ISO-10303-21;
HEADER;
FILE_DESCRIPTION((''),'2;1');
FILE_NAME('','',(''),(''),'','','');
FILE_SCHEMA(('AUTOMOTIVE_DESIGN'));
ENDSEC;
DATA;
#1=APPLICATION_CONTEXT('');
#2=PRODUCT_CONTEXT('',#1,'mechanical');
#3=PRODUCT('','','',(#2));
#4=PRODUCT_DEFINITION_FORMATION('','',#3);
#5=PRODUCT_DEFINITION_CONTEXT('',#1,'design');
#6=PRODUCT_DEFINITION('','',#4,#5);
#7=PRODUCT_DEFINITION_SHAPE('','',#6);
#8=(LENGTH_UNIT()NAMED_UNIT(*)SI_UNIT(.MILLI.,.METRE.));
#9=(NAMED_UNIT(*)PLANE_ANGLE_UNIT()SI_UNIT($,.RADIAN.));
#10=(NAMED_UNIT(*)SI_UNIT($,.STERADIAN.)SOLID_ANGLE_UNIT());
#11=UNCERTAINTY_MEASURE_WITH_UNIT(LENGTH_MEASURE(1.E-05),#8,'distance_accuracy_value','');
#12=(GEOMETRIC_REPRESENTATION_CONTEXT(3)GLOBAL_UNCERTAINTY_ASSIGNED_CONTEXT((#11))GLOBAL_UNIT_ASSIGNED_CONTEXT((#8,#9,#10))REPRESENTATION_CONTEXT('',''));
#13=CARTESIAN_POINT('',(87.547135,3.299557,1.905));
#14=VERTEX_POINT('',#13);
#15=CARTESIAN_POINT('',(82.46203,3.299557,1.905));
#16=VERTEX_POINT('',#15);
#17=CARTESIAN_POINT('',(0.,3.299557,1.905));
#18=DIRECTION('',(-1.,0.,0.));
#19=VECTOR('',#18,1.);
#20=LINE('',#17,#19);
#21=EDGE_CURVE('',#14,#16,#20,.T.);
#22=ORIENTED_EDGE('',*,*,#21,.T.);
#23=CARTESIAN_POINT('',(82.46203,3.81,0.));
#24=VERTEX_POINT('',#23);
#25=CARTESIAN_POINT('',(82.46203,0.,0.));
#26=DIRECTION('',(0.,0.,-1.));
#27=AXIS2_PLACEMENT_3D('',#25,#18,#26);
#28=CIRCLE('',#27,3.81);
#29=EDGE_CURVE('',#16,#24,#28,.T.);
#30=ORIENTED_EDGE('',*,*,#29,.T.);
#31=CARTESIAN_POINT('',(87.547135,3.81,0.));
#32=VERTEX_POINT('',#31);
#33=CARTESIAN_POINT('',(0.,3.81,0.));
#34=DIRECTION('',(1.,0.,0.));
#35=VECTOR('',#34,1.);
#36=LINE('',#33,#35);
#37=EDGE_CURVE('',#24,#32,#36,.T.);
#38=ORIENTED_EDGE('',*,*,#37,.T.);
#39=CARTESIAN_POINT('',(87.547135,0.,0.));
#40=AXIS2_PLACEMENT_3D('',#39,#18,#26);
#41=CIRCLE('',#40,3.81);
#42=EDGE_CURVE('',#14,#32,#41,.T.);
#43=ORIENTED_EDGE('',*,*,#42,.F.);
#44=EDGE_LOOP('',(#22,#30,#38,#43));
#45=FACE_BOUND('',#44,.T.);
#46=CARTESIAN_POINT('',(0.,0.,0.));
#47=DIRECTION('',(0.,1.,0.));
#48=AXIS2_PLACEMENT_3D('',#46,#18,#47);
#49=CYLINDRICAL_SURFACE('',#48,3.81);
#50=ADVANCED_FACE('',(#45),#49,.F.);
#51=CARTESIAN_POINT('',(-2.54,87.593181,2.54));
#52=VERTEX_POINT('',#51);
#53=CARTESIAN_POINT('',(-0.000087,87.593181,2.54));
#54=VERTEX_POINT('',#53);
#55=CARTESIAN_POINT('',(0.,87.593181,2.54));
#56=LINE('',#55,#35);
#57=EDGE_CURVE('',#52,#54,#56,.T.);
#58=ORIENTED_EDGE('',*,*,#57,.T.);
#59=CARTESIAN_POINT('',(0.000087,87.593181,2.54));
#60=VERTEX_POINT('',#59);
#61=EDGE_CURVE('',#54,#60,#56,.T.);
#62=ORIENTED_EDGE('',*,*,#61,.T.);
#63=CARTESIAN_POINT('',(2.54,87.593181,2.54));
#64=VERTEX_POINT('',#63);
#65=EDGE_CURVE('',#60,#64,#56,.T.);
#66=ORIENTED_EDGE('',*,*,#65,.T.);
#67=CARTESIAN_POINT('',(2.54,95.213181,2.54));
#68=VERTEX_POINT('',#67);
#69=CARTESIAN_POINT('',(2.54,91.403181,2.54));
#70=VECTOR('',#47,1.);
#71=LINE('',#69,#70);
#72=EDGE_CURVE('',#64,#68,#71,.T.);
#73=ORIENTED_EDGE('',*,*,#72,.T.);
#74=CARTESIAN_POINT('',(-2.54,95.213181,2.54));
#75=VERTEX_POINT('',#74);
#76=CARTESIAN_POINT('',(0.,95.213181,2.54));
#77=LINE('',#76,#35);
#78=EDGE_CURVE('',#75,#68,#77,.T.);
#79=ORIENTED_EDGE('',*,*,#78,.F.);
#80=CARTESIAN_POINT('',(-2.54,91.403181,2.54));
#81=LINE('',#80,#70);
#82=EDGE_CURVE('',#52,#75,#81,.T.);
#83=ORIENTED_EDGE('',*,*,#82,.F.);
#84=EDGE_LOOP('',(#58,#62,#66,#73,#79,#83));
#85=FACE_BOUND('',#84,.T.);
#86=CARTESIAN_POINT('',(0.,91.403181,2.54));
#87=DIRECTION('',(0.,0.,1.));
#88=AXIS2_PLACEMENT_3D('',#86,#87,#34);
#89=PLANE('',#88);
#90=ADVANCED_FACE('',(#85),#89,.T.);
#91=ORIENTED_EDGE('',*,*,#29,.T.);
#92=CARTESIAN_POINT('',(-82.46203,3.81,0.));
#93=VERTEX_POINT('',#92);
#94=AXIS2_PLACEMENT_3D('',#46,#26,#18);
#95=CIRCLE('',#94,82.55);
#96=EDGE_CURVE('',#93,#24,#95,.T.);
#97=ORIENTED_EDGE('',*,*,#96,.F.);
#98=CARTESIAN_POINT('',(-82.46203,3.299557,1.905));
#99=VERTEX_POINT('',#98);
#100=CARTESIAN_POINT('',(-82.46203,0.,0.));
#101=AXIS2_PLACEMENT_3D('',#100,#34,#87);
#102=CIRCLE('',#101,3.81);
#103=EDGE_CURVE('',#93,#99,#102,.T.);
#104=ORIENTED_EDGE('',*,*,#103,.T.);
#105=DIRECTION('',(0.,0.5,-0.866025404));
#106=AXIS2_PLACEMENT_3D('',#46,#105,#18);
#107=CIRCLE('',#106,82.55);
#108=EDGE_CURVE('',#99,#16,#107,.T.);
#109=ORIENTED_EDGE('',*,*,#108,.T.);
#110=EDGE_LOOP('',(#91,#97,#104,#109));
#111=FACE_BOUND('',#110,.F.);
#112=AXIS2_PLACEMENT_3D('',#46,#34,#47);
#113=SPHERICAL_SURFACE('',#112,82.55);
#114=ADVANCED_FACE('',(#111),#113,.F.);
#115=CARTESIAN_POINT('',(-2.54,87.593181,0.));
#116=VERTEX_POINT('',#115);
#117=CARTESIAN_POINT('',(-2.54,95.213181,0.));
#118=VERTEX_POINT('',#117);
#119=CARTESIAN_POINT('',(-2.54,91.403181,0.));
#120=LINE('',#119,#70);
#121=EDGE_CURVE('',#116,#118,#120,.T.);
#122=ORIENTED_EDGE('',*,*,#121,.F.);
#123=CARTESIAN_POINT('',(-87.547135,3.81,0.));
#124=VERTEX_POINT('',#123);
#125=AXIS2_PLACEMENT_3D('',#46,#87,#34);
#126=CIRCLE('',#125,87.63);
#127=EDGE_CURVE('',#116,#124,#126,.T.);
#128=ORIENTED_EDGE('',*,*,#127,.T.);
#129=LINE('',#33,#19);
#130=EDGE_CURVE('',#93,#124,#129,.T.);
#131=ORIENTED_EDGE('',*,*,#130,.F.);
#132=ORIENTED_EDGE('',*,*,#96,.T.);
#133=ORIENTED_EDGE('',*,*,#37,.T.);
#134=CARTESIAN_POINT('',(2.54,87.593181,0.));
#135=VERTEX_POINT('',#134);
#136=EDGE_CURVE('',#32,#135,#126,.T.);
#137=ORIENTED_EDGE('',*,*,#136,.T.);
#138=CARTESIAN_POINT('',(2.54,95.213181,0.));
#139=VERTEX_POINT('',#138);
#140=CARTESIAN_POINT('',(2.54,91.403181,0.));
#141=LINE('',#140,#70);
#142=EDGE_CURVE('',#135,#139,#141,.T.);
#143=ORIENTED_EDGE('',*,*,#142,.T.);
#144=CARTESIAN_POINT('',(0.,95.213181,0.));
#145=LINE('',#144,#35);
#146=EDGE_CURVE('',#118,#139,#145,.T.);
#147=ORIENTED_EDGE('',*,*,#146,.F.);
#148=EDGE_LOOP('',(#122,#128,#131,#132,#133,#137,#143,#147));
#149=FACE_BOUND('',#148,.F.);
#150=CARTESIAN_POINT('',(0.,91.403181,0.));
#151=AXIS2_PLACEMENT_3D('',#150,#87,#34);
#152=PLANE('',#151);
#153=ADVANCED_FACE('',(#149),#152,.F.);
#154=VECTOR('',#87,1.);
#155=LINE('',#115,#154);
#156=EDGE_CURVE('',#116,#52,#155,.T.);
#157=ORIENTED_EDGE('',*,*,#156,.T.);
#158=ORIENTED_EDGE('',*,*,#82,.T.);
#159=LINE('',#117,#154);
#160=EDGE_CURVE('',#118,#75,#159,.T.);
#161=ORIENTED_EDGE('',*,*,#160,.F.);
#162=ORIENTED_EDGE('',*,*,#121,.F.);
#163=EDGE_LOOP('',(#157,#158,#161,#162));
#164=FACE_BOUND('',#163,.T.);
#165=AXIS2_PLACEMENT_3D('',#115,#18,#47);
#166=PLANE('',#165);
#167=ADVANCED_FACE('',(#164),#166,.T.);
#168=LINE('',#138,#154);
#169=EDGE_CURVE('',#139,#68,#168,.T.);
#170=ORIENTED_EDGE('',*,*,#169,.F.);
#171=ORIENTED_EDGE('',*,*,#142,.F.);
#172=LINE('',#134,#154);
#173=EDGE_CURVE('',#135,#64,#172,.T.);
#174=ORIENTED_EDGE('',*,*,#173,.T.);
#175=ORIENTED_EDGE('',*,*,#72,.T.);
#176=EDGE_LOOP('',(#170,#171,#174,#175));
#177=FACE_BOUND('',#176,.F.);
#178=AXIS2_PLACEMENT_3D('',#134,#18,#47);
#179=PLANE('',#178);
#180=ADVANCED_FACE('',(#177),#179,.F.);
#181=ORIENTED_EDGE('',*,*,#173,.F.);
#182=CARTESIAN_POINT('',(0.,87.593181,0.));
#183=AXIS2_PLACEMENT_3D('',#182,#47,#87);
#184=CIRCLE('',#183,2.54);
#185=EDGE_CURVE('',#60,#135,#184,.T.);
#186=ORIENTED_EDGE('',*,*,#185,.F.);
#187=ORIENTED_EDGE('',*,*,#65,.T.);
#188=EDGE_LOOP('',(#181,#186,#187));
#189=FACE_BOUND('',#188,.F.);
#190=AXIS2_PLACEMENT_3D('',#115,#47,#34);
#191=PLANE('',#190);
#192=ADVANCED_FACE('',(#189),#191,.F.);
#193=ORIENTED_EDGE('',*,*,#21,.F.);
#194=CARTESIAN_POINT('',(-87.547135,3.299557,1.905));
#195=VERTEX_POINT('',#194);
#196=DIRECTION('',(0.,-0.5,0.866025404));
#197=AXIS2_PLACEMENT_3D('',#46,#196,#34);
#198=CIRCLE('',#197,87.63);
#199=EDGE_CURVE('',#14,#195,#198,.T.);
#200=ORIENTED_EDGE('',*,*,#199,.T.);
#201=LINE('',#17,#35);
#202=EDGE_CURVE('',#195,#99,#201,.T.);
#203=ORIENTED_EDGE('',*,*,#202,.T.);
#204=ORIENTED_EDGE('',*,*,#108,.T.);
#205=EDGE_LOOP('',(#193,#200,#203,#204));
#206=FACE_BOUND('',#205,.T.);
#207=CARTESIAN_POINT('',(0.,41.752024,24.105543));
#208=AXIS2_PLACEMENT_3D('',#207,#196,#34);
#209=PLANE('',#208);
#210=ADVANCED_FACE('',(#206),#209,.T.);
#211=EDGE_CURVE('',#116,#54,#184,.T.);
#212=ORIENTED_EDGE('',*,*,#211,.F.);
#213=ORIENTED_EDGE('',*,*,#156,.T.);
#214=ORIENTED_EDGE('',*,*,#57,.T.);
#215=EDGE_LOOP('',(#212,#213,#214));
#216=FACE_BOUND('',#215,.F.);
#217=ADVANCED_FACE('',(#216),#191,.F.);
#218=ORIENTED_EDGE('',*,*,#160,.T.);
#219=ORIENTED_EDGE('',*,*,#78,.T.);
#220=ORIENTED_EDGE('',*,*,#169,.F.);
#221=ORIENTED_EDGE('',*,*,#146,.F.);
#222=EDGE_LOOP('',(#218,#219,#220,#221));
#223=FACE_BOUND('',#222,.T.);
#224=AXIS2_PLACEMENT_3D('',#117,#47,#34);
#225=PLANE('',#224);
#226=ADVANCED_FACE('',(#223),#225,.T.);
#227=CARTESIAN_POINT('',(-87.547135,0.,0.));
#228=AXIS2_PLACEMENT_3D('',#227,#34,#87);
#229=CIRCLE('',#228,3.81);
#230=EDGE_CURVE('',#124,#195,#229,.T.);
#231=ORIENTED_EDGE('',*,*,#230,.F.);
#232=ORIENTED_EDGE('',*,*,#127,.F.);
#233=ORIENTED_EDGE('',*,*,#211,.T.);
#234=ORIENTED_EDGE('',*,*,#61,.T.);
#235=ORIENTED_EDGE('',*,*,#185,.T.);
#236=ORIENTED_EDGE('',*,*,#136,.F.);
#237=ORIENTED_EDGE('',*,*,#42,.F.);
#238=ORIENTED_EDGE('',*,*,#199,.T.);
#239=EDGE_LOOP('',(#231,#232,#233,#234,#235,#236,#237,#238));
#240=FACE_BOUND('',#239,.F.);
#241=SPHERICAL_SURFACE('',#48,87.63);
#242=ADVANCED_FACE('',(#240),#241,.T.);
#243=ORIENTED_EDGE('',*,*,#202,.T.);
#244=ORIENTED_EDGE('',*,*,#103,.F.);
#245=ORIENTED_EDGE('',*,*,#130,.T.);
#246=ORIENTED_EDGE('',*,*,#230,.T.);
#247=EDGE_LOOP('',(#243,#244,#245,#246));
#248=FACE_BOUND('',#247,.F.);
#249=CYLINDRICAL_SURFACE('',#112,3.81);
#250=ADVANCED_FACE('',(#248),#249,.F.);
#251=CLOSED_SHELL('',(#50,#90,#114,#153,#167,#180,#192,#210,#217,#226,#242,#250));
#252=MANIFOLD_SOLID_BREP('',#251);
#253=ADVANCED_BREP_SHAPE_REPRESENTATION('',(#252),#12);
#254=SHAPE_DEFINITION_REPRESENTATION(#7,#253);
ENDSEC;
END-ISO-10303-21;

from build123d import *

# Parameters (mm, degrees)
F1_ANGLE      = 30
F2_R          = 3.81
F3_DEPTH      = 87.631
F3_DEPTH_BACK = 87.631
F4_W          = 5.08
F4_H          = 7.62
F5_DEPTH      = 2.54


with BuildPart() as f1:
    # F0 (on Top) → F1 (revolve)
    with BuildSketch(Plane.XY):
        with BuildLine():
            Line((-87.63, 0), (-82.55, 0))
            ThreePointArc((-82.55, 0), (0, 82.55), (82.55, 0))
            Line((82.55, 0), (87.63, 0))
            ThreePointArc((87.63, 0), (0, 87.63), (-87.63, 0))
        make_face()
    revolve(axis=Axis((-41.275, 0, 0), (1, 0, 0)), revolution_arc=F1_ANGLE)

    # F2 (on Right) → F3 (cut, two sides)
    with BuildSketch(Plane.YZ) as f3_sk:
        Circle(F2_R)
    extrude(amount=-F3_DEPTH, mode=Mode.SUBTRACT)
    extrude(f3_sk.sketch, amount=F3_DEPTH_BACK, mode=Mode.SUBTRACT)

    # F4 (on Top) → F5 (join)
    with BuildSketch(Plane.XY):
        with Locations((0, 91.4031806706)):
            Rectangle(F4_W, F4_H)
    extrude(amount=F5_DEPTH)


solid = f1.part
